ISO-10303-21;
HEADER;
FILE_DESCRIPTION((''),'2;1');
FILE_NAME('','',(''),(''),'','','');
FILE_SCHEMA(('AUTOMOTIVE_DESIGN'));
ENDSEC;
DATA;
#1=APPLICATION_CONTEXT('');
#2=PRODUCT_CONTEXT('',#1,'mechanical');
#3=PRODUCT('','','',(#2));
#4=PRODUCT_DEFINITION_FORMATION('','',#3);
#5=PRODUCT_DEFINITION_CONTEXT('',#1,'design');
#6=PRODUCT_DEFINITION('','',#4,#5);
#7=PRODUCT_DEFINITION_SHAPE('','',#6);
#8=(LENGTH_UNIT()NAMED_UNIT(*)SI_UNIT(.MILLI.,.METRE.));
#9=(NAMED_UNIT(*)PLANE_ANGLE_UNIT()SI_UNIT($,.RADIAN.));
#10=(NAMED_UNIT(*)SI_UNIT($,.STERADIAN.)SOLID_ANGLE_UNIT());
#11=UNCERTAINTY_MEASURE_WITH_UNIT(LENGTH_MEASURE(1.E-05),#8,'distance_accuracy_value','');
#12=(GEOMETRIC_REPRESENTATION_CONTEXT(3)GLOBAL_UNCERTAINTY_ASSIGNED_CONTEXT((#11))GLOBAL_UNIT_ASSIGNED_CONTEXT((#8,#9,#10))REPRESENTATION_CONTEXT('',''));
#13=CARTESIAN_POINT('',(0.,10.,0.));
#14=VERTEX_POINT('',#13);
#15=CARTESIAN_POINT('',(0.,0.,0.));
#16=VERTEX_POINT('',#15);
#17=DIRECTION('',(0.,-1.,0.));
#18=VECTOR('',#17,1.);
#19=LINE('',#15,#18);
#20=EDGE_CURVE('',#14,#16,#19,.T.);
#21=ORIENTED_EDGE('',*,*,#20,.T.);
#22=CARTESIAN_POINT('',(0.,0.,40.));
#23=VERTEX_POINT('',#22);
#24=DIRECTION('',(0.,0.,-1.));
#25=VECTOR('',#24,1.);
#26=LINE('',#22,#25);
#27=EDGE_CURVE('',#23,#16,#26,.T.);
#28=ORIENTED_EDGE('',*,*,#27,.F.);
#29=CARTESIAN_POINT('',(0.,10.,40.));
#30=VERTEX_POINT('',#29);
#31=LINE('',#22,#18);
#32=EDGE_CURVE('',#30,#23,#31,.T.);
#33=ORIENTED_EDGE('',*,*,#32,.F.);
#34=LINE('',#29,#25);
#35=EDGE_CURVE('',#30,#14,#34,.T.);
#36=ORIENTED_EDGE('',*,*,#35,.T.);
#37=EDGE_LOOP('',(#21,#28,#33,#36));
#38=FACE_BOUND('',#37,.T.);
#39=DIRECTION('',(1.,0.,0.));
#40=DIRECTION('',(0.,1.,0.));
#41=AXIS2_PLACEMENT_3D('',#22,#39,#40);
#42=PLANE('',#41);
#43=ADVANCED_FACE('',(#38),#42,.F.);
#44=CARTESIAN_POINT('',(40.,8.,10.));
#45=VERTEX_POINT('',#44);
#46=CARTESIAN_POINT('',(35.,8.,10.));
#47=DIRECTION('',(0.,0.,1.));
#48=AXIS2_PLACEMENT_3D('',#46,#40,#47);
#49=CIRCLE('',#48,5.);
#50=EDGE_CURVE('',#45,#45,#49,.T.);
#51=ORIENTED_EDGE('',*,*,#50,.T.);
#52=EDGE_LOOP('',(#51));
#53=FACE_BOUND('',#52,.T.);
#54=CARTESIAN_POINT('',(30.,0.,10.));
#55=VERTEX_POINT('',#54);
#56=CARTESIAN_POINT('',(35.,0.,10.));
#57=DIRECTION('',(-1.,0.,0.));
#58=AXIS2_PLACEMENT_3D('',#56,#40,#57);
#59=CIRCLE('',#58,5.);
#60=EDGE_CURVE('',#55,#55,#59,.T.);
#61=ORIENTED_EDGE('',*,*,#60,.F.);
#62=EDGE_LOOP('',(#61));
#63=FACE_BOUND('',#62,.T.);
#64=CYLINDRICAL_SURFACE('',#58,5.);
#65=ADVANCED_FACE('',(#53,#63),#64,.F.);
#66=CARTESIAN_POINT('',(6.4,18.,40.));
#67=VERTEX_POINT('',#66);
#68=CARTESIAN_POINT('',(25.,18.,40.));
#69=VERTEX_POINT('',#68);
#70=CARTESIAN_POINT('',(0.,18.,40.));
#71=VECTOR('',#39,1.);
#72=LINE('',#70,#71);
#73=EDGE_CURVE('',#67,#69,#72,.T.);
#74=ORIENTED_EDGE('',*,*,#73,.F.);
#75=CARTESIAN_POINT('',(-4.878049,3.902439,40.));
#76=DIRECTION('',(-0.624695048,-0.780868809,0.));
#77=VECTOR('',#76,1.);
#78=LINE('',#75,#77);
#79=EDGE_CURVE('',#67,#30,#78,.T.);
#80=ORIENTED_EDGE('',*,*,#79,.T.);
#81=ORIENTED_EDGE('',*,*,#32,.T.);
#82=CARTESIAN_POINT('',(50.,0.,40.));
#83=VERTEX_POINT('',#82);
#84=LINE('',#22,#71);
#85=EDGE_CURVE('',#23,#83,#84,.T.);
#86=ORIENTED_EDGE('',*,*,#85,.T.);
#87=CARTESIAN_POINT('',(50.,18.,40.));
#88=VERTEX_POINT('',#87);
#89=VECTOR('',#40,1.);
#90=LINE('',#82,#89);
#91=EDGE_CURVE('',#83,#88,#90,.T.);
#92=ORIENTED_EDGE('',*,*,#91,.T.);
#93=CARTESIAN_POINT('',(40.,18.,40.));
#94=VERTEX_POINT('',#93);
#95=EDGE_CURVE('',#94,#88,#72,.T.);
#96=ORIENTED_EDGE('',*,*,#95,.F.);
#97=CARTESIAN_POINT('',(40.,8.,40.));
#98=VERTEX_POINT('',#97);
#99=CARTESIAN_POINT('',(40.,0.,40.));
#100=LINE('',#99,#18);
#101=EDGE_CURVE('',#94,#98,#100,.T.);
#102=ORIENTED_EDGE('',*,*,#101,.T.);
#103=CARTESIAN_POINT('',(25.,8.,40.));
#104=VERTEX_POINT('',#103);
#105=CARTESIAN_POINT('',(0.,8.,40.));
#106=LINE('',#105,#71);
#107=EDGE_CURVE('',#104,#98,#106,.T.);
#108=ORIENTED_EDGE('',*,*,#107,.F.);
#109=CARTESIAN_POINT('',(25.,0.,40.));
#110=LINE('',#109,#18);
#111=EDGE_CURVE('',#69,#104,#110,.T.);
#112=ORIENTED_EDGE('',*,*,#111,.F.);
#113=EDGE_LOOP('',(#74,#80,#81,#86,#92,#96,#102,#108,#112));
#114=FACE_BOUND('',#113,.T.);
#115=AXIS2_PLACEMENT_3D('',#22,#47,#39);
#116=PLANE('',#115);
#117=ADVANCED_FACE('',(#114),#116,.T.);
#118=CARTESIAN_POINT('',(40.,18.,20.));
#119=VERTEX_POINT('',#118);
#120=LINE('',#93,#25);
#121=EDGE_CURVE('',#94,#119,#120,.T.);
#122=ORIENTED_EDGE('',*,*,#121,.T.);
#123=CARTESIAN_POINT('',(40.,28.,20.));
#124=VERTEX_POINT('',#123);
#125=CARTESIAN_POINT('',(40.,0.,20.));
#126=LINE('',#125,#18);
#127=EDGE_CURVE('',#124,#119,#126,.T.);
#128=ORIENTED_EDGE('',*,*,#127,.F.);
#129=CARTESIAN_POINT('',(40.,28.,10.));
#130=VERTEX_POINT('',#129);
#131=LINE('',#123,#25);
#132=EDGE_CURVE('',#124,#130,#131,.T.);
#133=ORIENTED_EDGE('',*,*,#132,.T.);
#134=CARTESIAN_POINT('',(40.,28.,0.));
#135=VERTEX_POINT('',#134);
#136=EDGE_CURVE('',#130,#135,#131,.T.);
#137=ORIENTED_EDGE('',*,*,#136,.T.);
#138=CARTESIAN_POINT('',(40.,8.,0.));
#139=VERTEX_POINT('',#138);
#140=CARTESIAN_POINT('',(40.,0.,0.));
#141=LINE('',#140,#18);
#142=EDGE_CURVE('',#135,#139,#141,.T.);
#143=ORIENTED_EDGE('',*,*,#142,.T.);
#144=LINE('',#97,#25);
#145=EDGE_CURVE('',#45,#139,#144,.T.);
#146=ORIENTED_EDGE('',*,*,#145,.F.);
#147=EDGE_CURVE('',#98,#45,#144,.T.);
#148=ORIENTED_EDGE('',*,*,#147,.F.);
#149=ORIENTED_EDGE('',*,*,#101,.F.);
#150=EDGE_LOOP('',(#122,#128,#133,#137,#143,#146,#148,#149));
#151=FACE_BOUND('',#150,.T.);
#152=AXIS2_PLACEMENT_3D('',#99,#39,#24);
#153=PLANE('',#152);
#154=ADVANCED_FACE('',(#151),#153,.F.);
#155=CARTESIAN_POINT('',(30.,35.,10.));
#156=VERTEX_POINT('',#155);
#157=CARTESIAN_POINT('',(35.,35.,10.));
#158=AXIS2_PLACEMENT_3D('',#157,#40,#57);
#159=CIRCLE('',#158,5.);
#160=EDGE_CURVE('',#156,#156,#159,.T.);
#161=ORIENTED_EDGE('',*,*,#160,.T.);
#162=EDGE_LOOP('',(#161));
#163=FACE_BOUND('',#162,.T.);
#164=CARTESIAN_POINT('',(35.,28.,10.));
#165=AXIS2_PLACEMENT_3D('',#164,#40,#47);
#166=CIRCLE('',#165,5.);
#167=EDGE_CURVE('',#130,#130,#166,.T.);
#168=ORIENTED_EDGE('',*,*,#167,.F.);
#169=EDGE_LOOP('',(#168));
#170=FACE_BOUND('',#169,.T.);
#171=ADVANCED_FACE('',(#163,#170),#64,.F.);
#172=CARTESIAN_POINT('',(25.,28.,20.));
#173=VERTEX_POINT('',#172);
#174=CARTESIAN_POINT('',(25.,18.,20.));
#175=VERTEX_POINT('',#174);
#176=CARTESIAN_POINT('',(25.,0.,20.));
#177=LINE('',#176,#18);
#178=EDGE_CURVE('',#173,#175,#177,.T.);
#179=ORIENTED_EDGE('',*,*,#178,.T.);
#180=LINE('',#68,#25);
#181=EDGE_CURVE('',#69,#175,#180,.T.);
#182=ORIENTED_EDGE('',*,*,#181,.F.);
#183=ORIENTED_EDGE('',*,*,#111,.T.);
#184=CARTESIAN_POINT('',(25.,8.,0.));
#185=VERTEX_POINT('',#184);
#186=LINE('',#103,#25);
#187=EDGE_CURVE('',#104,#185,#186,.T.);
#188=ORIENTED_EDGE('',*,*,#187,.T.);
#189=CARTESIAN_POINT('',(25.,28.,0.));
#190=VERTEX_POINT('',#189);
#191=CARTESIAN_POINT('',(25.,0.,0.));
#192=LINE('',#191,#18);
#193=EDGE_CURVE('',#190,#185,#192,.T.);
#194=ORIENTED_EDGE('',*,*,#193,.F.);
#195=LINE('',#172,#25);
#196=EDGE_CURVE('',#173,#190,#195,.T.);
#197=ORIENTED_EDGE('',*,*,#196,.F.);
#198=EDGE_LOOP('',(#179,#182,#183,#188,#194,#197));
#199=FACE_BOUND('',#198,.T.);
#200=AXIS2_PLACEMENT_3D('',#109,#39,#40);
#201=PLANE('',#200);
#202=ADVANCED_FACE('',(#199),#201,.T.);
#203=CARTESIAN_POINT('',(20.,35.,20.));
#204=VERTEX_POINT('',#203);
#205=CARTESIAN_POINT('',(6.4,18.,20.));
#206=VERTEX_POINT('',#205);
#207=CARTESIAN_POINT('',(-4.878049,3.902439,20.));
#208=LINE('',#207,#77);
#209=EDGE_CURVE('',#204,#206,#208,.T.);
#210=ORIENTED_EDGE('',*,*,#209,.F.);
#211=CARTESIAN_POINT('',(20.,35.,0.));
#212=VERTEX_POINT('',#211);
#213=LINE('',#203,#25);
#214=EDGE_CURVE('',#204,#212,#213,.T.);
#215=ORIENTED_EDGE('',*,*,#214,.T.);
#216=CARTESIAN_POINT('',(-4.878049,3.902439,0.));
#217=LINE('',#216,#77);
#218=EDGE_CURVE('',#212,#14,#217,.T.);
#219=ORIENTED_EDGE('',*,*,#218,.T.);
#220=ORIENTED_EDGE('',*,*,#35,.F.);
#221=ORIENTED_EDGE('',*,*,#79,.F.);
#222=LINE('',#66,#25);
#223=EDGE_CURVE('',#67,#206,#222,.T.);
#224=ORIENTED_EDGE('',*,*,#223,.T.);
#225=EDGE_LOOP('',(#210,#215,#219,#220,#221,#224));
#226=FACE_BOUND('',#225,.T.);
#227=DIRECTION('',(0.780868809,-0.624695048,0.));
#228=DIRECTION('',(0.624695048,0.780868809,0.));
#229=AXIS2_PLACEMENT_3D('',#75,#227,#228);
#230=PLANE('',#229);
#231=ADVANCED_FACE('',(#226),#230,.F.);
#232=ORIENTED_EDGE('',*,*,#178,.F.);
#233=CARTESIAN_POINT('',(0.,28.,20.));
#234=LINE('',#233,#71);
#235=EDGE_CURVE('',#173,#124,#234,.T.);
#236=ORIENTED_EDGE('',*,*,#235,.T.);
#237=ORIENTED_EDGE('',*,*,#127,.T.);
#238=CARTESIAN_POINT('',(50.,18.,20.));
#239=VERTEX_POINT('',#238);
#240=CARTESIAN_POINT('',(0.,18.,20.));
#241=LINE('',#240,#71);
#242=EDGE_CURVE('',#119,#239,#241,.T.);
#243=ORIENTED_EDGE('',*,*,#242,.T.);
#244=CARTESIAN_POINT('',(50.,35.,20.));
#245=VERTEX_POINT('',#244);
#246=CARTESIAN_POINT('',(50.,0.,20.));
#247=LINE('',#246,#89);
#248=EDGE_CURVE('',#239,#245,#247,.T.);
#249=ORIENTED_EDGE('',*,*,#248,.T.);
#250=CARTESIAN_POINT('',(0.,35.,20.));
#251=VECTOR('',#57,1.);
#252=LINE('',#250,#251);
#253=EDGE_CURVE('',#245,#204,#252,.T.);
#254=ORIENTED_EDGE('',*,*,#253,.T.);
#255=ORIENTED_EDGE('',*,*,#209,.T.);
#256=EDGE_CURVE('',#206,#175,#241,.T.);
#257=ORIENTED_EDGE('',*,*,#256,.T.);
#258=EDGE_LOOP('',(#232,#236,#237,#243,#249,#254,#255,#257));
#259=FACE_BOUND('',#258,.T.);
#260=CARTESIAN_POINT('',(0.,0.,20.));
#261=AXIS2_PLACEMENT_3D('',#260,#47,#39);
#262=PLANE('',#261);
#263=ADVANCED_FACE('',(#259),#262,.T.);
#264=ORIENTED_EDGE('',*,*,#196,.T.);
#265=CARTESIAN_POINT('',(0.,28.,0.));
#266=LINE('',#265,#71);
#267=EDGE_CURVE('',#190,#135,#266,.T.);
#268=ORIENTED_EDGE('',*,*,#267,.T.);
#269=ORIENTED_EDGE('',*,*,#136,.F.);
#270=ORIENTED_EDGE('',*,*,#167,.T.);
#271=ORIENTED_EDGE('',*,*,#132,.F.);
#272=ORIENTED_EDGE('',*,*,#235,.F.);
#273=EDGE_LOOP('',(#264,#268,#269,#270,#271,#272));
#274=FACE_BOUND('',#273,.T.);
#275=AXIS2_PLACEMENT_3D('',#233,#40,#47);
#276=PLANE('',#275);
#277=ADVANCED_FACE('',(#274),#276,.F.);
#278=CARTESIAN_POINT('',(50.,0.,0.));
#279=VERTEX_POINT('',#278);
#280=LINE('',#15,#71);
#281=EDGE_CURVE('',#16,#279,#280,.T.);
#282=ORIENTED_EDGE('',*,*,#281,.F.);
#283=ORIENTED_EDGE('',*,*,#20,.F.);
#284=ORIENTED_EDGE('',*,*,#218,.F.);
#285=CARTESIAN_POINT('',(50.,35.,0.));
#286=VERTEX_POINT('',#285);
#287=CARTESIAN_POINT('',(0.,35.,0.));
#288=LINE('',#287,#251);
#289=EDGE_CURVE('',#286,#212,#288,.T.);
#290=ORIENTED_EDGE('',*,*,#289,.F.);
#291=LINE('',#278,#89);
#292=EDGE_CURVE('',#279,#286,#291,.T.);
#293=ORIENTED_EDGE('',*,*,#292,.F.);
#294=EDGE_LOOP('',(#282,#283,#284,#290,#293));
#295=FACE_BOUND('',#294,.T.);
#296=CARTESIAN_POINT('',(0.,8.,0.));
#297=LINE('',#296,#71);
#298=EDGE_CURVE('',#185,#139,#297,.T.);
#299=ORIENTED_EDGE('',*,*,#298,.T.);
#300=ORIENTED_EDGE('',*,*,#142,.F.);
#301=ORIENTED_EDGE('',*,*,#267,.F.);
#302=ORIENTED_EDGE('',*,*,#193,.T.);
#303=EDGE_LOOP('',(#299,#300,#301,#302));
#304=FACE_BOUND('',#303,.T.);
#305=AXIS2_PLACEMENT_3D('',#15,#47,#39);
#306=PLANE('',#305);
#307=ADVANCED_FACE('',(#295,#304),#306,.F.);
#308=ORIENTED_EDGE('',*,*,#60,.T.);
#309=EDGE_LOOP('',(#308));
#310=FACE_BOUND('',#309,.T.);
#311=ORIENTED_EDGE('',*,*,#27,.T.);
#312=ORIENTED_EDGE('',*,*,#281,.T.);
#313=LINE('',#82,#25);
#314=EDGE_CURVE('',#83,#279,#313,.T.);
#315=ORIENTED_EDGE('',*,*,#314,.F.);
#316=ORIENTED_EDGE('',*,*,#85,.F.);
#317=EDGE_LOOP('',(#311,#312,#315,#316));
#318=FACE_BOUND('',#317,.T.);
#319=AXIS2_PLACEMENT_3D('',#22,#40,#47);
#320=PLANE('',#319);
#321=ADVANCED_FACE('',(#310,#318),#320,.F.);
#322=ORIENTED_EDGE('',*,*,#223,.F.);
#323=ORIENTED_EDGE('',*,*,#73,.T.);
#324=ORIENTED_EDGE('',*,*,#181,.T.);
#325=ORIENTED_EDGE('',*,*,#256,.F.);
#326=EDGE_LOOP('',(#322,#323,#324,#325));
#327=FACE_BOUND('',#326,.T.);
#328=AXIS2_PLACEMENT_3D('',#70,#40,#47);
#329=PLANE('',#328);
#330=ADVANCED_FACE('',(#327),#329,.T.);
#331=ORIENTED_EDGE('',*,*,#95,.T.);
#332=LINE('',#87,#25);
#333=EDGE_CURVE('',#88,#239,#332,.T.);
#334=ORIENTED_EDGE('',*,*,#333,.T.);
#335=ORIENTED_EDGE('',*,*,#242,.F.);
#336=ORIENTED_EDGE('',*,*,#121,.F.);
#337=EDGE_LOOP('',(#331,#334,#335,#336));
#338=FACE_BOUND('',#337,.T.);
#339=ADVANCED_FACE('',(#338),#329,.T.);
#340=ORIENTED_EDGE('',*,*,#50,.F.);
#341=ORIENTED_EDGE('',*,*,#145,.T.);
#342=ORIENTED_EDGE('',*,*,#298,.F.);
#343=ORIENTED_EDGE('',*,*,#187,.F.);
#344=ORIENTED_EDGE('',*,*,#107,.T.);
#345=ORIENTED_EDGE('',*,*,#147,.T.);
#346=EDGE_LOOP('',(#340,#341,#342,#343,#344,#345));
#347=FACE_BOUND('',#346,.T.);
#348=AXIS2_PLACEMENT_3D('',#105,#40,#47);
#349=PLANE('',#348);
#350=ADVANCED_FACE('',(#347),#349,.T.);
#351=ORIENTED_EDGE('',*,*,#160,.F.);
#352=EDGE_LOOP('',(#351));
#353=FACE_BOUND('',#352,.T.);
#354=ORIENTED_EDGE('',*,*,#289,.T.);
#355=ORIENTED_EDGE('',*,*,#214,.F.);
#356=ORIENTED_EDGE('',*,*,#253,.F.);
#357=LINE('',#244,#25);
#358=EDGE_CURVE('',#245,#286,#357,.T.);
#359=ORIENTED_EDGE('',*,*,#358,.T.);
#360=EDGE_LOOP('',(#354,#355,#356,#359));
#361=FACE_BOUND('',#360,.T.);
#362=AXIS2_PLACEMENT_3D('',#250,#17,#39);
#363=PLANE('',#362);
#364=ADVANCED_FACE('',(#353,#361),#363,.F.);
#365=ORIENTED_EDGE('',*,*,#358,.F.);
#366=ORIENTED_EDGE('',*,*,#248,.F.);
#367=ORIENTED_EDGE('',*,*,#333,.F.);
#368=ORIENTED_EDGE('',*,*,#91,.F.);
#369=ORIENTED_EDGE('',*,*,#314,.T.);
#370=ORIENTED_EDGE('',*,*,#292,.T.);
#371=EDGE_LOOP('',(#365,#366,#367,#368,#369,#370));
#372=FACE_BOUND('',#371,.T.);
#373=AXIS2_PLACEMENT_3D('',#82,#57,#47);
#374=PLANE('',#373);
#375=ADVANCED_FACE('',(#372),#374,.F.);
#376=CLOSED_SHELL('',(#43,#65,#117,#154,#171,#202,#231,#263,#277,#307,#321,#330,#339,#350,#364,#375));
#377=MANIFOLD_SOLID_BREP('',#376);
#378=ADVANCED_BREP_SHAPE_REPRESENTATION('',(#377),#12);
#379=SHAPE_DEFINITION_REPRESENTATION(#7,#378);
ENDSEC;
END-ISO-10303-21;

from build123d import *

# Parameters (mm, degrees)
BOSS_EXTRUDE1_DEPTH = 40
BOSS_EXTRUDE2_DEPTH = 20
SKETCH2_R           = 5
CUT_EXTRUDE1_DEPTH  = 73.972597597


with BuildPart() as part:
    # Sketch1 → Boss-Extrude1 (new body)
    with BuildSketch(Plane.XY):
        Polygon((0, 10), (0, 0), (50, 0), (50, 18), (40, 18), (40, 8), (25, 8), (25, 18), (6.4, 18), align=None)
    extrude(amount=BOSS_EXTRUDE1_DEPTH)

    # Sketch1<4> → Boss-Extrude2 (add)
    with BuildSketch(Plane.XY):
        Polygon((40, 18), (50, 18), (50, 35), (20, 35), (6.4, 18), (25, 18), (25, 28), (40, 28), align=None)
    extrude(amount=BOSS_EXTRUDE2_DEPTH)

    # Sketch2 → Cut-Extrude1 (cut, through all)
    with BuildSketch(Plane(origin=(0, 35, 0), x_dir=(1, 0, 0), z_dir=(0, 1, 0))):
        with Locations((35, -10)):
            Circle(SKETCH2_R)
    extrude(amount=-CUT_EXTRUDE1_DEPTH, mode=Mode.SUBTRACT)


solid = part.part
